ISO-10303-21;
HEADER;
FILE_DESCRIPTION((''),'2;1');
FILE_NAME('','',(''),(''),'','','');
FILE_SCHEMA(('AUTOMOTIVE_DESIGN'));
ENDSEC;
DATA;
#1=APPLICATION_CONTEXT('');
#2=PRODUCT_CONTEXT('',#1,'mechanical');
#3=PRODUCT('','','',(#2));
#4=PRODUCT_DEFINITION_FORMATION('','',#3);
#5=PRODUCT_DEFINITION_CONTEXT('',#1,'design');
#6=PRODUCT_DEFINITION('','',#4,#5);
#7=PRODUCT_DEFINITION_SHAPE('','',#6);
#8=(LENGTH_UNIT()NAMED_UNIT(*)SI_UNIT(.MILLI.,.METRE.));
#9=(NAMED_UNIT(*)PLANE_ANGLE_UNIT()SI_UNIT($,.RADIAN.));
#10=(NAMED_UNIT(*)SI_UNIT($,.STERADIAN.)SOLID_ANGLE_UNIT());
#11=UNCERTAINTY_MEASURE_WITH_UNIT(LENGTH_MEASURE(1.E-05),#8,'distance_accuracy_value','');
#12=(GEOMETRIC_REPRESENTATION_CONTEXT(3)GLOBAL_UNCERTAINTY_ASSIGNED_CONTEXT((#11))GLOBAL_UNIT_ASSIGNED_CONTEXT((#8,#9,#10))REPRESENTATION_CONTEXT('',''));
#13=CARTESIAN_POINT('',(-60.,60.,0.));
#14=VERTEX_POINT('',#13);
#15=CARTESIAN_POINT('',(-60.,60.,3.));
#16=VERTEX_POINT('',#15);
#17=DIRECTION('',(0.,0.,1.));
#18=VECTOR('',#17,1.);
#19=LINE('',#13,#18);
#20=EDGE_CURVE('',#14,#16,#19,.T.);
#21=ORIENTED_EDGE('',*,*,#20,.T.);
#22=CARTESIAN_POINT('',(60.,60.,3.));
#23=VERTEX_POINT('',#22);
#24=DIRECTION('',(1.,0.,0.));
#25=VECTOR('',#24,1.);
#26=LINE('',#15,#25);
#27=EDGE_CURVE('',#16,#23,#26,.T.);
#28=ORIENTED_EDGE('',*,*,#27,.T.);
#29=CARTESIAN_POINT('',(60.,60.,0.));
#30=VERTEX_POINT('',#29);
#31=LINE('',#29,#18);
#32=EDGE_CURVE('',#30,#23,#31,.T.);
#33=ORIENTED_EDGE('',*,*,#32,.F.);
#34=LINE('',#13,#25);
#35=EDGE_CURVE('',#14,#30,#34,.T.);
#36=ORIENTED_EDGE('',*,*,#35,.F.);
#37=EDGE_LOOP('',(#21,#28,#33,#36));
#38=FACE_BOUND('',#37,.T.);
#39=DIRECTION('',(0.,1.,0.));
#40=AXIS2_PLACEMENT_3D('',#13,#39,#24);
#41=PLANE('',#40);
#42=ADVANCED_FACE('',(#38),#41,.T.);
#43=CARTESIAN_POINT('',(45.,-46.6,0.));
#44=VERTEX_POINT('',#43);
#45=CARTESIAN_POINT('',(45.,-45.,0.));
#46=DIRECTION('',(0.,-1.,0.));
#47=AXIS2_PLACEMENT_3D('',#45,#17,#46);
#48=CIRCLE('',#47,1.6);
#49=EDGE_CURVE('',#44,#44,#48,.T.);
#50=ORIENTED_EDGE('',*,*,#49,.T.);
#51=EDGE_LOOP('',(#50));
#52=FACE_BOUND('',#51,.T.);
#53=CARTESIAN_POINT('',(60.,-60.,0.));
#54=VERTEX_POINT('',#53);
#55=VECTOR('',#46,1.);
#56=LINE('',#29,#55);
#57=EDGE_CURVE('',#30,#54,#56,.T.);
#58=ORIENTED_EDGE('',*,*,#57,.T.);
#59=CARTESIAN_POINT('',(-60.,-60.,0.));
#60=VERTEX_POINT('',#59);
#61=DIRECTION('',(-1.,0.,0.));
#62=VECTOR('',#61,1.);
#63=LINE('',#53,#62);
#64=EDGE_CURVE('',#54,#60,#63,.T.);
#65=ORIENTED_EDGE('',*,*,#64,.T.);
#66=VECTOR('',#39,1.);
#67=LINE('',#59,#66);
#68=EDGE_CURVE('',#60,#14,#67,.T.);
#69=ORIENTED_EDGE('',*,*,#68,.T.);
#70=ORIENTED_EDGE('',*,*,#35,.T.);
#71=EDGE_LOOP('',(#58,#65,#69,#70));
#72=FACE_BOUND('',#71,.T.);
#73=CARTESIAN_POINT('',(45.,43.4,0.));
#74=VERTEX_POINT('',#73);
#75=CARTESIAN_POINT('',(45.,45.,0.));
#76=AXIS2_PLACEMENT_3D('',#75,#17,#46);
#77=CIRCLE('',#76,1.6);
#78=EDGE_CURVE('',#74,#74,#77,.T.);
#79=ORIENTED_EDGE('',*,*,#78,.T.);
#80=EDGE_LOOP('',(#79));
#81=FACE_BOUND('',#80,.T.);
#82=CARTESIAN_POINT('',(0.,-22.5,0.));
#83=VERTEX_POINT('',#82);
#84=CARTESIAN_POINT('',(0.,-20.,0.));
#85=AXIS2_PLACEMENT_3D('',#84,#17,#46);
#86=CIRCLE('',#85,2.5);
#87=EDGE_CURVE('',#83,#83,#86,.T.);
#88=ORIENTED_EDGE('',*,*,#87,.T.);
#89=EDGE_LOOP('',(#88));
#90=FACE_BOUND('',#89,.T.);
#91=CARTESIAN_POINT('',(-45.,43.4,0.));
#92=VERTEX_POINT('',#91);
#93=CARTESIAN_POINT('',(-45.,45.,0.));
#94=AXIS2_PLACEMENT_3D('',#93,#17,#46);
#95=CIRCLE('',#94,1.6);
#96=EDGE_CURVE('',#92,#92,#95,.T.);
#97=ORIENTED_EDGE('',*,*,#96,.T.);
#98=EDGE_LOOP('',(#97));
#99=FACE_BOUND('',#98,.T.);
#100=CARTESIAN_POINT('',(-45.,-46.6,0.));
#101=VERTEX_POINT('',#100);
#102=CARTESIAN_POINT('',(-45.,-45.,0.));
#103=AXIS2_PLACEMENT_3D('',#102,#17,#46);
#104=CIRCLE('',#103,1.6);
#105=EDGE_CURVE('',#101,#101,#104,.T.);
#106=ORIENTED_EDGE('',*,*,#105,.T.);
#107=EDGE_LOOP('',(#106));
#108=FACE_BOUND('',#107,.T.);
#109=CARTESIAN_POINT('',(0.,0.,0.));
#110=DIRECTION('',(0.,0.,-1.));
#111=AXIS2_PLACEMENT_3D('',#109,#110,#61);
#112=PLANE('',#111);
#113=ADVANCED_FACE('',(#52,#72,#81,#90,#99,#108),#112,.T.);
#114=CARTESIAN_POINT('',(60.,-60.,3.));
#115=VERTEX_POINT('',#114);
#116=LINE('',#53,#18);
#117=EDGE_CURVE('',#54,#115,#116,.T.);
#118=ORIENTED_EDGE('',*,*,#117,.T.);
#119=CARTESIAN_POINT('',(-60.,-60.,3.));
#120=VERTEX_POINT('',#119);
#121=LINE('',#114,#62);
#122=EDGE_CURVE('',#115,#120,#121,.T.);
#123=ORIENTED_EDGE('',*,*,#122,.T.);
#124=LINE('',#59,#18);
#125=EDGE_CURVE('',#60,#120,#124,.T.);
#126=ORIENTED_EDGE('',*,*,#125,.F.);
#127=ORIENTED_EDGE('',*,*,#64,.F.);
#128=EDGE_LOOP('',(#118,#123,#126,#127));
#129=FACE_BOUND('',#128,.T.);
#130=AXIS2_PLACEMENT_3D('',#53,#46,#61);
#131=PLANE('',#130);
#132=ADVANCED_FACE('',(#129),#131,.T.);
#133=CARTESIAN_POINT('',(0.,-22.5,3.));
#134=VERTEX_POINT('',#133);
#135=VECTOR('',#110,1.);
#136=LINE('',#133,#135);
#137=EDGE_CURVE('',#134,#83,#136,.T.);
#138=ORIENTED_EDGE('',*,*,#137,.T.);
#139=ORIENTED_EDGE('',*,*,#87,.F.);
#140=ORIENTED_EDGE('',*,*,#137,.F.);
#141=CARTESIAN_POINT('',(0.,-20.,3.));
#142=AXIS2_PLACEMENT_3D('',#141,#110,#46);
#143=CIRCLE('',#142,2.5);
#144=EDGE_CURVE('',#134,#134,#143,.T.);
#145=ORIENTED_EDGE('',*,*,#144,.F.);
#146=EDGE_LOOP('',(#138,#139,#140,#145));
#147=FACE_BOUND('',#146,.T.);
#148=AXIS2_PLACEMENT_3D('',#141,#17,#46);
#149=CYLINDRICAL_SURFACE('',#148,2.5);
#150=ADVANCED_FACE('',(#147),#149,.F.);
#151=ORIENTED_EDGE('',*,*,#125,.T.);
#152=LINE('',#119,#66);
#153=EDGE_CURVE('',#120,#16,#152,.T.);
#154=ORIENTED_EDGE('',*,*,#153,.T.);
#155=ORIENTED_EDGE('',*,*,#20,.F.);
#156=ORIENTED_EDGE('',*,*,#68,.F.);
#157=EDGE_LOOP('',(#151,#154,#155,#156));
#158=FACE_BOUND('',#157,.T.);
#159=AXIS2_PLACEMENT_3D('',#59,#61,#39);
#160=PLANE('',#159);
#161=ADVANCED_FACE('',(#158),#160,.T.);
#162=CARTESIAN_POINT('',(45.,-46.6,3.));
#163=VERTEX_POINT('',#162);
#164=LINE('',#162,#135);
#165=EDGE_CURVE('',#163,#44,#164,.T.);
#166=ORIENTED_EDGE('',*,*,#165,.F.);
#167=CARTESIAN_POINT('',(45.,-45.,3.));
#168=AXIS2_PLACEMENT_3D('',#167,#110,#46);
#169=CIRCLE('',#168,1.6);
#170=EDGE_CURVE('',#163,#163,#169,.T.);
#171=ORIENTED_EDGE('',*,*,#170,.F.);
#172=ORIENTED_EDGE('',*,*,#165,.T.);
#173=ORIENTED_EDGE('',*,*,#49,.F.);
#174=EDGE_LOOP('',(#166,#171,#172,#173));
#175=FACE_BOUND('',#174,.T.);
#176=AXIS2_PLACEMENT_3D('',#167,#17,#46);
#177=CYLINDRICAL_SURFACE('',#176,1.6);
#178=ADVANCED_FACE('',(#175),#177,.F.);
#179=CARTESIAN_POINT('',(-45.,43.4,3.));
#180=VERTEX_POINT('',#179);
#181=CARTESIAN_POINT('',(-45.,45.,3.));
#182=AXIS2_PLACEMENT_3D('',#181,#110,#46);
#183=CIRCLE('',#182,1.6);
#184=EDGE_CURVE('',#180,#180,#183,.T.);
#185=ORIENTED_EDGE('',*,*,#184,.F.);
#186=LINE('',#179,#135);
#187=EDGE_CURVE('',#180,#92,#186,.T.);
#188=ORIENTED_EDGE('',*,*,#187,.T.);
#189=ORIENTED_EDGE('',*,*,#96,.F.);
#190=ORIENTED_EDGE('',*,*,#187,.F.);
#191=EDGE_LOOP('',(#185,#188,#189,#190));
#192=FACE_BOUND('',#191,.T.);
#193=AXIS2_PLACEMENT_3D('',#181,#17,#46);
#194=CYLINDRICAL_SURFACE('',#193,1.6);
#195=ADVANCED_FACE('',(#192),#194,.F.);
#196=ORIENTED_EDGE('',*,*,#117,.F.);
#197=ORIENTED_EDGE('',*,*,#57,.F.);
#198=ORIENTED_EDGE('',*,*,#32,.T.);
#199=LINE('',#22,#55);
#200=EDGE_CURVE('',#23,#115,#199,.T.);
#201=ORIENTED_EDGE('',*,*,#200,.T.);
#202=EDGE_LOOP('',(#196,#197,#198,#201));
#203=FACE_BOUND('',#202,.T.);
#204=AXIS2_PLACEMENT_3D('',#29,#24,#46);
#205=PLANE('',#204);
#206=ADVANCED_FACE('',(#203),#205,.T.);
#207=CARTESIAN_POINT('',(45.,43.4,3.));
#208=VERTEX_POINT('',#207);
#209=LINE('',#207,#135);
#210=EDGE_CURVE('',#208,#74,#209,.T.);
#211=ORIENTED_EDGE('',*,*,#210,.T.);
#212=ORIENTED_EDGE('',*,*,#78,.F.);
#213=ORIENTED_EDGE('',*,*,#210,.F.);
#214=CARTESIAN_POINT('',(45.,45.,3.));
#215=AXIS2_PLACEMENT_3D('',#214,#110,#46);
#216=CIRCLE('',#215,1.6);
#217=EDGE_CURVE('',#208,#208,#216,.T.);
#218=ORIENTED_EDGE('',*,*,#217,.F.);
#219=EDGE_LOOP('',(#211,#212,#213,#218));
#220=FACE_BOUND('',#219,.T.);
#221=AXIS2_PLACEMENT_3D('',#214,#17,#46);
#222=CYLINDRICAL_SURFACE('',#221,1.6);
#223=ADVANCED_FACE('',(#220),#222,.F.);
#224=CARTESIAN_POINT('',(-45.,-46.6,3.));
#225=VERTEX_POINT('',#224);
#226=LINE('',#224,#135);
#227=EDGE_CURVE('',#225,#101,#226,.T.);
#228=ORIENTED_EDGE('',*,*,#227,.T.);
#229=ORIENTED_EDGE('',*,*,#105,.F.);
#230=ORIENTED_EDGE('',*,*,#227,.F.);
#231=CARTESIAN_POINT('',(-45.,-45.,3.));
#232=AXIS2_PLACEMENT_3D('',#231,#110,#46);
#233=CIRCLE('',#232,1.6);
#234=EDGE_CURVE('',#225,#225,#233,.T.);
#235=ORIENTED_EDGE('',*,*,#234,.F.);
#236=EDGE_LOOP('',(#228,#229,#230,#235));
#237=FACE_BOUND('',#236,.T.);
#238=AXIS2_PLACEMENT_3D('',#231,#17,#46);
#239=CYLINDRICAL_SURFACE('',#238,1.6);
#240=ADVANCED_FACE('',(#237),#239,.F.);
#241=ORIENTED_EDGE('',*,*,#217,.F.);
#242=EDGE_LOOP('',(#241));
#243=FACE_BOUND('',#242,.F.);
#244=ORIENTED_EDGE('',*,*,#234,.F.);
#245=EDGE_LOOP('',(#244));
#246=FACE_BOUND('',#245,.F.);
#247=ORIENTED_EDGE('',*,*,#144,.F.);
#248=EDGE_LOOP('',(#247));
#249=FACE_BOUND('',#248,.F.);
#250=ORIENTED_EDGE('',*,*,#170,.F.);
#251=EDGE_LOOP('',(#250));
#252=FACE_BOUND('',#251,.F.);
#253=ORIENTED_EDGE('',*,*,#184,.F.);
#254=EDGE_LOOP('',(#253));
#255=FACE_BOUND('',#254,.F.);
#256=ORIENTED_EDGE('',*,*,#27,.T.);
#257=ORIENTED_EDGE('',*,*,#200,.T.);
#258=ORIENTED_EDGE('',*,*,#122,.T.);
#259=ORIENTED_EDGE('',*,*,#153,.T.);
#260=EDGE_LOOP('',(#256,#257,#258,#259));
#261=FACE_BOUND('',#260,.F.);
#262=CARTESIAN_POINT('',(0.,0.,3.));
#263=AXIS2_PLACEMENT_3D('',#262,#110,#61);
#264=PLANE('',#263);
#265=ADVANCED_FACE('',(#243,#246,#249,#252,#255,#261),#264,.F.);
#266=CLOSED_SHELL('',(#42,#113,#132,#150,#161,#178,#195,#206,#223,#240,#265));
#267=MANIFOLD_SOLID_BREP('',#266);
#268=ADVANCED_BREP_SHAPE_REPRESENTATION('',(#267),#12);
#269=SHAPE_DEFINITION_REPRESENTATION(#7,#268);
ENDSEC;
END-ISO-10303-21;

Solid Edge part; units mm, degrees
sketch "Sketch1" plane through (0, 0, 0) normal (0, 0, 1) x (1, 0, 0)
  line L0 (60, -60) -> (-60, -60)
  line L1 (-60, -60) -> (-60, 60)
  line L2 (-60, 60) -> (60, 60)
  line L3 (60, 60) -> (60, -60)
  dimension "D1" = 120
  dimension "D2" = 120
extrude "Protrusion1" add sketch "Sketch1" along normal blind 3
hole "Hole_1" at (0, -20, 3) direction (0, 0, -1) diameter 5 end through all
hole "Hole_2" at (-45, -45, 3) direction (0, 0, -1) diameter 3.2 end through all
hole "Hole1" at (45, -45, 3) direction (0, 0, -1) diameter 3.2 end through all
hole "Hole2" at (45, 45, 3) direction (0, 0, -1) diameter 3.2 end through all
hole "Hole3" at (-45, 45, 3) direction (0, 0, -1) diameter 3.2 end through all
